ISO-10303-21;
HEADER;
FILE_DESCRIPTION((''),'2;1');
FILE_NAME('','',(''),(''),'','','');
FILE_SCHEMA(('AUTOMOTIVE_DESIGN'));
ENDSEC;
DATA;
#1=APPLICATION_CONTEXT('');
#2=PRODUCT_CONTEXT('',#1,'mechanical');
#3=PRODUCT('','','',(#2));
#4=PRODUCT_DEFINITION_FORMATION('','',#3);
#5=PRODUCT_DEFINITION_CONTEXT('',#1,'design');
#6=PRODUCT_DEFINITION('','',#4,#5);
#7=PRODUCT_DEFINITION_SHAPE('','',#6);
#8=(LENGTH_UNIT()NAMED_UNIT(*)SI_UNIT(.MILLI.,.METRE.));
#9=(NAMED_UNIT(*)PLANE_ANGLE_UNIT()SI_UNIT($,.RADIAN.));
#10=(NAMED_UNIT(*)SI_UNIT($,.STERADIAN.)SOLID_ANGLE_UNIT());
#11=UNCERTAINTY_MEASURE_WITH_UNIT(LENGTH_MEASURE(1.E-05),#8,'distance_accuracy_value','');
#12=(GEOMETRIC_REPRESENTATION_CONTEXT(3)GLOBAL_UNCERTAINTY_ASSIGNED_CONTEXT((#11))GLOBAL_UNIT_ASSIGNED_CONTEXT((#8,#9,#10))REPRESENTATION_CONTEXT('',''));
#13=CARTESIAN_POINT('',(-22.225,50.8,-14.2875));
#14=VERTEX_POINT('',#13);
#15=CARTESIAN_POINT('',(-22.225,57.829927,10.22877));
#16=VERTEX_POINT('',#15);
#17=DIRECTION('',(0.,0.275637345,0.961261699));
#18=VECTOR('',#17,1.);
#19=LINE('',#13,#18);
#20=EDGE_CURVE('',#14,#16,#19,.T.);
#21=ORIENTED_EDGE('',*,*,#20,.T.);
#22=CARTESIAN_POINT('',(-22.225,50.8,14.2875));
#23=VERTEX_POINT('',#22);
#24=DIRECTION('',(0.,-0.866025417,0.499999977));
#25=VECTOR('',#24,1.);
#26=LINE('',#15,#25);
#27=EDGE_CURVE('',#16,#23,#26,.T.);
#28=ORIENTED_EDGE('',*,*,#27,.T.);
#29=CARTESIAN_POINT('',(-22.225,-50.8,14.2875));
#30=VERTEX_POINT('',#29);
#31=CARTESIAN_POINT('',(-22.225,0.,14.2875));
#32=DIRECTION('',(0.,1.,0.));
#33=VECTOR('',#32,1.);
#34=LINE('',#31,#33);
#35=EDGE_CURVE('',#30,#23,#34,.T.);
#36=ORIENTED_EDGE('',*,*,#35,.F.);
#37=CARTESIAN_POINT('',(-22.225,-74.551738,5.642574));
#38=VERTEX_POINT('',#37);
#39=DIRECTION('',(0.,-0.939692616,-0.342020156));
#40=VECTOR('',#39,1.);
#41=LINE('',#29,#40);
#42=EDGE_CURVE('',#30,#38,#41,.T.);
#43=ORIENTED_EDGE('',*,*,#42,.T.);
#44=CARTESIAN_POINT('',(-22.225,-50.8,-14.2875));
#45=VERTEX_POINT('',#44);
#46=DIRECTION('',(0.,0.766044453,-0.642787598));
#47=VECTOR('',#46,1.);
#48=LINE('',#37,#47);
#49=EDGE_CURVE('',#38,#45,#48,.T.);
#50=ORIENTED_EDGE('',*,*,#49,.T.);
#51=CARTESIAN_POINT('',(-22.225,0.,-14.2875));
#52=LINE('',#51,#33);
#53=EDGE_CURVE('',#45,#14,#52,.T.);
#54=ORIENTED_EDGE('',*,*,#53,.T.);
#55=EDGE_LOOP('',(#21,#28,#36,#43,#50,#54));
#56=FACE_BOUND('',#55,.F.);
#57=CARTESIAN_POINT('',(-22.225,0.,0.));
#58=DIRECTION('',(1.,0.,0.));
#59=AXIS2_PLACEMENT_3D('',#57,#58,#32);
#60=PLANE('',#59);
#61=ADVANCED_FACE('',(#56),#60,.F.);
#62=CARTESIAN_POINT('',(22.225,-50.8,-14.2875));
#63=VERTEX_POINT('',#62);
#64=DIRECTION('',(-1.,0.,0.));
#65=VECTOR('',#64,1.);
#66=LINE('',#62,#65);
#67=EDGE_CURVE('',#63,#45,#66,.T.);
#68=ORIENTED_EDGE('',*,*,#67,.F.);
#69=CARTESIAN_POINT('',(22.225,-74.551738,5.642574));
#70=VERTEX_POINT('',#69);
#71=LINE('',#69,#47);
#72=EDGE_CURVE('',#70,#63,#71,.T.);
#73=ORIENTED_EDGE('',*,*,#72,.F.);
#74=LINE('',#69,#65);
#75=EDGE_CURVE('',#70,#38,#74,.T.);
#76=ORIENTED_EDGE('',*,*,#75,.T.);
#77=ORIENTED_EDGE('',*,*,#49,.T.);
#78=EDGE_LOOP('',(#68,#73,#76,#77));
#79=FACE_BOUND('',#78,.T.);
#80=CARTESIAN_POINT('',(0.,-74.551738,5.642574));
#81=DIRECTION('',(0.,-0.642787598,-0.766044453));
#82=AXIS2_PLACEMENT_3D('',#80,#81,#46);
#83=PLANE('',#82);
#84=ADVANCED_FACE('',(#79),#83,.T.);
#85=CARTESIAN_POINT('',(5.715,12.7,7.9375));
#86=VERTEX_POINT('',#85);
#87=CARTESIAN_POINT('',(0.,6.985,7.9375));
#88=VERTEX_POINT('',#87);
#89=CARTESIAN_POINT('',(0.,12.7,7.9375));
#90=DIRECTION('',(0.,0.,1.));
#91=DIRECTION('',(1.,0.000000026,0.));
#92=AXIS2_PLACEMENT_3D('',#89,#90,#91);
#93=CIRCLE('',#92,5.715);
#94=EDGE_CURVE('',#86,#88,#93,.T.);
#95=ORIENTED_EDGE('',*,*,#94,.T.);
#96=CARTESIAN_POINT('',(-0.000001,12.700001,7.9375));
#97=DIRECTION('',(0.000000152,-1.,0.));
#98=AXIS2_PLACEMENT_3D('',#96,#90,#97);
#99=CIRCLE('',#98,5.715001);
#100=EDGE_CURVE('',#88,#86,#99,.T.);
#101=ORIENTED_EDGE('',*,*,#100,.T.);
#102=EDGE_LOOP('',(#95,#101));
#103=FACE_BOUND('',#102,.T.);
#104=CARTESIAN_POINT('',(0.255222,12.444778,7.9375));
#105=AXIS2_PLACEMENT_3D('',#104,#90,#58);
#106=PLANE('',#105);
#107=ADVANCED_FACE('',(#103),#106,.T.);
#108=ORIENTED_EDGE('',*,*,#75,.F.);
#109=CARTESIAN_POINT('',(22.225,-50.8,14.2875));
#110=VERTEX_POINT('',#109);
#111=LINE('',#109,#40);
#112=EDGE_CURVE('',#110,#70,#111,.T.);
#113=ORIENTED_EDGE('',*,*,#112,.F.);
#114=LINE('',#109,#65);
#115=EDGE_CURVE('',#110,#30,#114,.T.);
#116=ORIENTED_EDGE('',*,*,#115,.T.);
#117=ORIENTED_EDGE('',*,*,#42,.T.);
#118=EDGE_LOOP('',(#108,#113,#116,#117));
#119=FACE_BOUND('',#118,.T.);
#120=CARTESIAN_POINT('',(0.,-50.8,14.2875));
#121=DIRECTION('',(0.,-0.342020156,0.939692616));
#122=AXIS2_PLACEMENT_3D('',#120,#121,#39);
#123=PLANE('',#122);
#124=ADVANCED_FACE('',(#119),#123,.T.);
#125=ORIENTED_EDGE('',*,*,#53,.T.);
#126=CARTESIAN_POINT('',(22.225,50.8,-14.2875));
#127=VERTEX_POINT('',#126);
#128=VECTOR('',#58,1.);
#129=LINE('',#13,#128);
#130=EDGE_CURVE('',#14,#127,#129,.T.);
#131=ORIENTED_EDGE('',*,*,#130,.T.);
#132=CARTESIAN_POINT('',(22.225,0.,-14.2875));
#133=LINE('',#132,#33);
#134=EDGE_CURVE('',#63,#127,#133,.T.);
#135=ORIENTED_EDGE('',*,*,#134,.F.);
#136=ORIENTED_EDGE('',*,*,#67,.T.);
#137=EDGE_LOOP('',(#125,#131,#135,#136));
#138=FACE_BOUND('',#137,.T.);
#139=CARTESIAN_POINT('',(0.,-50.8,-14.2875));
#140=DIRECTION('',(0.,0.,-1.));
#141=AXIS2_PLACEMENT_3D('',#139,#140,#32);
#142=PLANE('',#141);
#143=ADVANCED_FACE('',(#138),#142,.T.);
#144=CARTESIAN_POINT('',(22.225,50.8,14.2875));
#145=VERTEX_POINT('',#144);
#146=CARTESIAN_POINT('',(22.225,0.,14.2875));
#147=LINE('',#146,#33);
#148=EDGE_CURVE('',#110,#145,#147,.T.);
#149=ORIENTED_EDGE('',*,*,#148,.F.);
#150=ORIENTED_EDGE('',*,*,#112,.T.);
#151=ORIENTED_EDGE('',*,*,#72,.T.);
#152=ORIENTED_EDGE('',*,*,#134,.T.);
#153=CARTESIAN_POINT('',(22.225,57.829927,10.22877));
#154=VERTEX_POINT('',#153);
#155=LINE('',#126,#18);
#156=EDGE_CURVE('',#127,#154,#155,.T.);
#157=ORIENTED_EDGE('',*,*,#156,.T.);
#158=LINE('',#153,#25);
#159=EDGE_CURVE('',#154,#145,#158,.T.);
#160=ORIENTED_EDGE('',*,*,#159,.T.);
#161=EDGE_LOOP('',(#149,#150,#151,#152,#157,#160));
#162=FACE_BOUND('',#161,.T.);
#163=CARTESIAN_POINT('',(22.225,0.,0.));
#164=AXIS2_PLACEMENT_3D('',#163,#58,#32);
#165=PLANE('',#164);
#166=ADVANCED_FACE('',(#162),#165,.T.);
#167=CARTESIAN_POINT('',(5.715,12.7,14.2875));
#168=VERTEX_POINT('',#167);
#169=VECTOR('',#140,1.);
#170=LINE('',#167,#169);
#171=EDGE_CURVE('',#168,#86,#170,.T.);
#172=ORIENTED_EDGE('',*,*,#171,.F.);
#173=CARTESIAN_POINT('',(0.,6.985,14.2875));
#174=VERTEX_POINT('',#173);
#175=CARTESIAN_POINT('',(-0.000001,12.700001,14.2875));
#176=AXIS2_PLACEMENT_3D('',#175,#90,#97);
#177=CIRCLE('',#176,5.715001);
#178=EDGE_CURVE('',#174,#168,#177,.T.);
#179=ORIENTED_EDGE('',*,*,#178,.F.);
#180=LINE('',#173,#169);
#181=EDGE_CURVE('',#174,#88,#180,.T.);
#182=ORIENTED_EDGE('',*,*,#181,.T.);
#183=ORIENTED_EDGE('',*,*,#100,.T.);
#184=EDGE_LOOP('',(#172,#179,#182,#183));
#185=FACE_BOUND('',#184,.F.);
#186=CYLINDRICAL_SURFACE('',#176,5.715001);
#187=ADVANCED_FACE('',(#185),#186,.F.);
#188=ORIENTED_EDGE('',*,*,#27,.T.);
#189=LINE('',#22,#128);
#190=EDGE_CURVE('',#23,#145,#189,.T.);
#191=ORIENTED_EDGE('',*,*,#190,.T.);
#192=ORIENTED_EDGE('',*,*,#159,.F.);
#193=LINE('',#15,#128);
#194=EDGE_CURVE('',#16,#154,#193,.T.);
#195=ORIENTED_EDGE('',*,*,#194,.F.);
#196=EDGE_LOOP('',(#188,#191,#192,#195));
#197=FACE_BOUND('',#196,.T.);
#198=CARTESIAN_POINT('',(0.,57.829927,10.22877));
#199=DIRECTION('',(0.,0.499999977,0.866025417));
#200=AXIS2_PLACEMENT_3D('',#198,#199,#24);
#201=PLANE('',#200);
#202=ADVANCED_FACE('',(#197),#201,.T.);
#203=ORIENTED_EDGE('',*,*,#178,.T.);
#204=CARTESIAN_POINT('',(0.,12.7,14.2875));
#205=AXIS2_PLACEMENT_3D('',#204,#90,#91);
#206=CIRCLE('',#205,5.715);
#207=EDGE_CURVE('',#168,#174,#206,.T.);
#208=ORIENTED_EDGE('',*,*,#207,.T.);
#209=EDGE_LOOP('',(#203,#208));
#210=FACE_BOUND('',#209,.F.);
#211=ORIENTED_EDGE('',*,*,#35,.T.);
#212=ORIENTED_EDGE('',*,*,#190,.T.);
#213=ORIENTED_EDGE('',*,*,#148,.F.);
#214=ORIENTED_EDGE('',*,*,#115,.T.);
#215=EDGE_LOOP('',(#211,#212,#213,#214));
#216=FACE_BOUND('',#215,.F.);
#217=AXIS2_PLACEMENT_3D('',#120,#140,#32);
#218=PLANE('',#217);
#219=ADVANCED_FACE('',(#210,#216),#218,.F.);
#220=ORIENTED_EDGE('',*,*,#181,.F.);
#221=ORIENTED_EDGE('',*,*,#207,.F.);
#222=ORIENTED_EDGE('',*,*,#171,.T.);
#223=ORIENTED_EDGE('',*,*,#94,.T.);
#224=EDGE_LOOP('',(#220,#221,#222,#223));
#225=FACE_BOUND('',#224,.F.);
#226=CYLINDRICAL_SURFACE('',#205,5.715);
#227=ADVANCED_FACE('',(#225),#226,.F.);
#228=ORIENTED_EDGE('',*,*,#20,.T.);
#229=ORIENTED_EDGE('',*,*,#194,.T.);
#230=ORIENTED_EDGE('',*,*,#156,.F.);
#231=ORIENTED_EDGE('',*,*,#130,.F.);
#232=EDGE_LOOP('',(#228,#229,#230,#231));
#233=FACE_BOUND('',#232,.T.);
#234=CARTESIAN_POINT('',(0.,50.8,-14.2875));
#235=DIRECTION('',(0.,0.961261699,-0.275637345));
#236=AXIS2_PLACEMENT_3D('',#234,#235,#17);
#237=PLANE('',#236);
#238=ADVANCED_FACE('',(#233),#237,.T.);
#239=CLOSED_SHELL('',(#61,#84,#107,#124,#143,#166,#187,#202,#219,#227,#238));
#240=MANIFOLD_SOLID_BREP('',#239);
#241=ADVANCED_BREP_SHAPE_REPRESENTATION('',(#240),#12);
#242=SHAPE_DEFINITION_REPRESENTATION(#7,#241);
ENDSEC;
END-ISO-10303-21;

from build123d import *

# Parameters (mm, degrees)
F0_W     = 101.6
F0_H     = 28.575
F1_DEPTH = 22.225
F3_DEPTH = 6.35


with BuildPart() as f1:
    # F0 (on Right) → F1 (new body, symmetric)
    with BuildSketch(Plane.YZ):
        Rectangle(F0_W, F0_H)
        Polygon((-50.8, -14.2875), (-50.8, 14.2875), (-74.551738, 5.642574), align=None)
        Polygon((57.829927, 10.22877), (50.8, 14.2875), (50.8, -14.2875), align=None)
    extrude(amount=F1_DEPTH, both=True)

    # F2 (on face) → F3 (cut)
    with BuildSketch(Plane.XY.offset(14.2875)):
        with BuildLine():
            ThreePointArc((0, 6.985), (4.041115, 8.658885), (5.715, 12.7))
            ThreePointArc((5.715, 12.7), (-4.041115, 16.741115), (0, 6.985))
        make_face()
    extrude(amount=-F3_DEPTH, mode=Mode.SUBTRACT)


solid = f1.part
